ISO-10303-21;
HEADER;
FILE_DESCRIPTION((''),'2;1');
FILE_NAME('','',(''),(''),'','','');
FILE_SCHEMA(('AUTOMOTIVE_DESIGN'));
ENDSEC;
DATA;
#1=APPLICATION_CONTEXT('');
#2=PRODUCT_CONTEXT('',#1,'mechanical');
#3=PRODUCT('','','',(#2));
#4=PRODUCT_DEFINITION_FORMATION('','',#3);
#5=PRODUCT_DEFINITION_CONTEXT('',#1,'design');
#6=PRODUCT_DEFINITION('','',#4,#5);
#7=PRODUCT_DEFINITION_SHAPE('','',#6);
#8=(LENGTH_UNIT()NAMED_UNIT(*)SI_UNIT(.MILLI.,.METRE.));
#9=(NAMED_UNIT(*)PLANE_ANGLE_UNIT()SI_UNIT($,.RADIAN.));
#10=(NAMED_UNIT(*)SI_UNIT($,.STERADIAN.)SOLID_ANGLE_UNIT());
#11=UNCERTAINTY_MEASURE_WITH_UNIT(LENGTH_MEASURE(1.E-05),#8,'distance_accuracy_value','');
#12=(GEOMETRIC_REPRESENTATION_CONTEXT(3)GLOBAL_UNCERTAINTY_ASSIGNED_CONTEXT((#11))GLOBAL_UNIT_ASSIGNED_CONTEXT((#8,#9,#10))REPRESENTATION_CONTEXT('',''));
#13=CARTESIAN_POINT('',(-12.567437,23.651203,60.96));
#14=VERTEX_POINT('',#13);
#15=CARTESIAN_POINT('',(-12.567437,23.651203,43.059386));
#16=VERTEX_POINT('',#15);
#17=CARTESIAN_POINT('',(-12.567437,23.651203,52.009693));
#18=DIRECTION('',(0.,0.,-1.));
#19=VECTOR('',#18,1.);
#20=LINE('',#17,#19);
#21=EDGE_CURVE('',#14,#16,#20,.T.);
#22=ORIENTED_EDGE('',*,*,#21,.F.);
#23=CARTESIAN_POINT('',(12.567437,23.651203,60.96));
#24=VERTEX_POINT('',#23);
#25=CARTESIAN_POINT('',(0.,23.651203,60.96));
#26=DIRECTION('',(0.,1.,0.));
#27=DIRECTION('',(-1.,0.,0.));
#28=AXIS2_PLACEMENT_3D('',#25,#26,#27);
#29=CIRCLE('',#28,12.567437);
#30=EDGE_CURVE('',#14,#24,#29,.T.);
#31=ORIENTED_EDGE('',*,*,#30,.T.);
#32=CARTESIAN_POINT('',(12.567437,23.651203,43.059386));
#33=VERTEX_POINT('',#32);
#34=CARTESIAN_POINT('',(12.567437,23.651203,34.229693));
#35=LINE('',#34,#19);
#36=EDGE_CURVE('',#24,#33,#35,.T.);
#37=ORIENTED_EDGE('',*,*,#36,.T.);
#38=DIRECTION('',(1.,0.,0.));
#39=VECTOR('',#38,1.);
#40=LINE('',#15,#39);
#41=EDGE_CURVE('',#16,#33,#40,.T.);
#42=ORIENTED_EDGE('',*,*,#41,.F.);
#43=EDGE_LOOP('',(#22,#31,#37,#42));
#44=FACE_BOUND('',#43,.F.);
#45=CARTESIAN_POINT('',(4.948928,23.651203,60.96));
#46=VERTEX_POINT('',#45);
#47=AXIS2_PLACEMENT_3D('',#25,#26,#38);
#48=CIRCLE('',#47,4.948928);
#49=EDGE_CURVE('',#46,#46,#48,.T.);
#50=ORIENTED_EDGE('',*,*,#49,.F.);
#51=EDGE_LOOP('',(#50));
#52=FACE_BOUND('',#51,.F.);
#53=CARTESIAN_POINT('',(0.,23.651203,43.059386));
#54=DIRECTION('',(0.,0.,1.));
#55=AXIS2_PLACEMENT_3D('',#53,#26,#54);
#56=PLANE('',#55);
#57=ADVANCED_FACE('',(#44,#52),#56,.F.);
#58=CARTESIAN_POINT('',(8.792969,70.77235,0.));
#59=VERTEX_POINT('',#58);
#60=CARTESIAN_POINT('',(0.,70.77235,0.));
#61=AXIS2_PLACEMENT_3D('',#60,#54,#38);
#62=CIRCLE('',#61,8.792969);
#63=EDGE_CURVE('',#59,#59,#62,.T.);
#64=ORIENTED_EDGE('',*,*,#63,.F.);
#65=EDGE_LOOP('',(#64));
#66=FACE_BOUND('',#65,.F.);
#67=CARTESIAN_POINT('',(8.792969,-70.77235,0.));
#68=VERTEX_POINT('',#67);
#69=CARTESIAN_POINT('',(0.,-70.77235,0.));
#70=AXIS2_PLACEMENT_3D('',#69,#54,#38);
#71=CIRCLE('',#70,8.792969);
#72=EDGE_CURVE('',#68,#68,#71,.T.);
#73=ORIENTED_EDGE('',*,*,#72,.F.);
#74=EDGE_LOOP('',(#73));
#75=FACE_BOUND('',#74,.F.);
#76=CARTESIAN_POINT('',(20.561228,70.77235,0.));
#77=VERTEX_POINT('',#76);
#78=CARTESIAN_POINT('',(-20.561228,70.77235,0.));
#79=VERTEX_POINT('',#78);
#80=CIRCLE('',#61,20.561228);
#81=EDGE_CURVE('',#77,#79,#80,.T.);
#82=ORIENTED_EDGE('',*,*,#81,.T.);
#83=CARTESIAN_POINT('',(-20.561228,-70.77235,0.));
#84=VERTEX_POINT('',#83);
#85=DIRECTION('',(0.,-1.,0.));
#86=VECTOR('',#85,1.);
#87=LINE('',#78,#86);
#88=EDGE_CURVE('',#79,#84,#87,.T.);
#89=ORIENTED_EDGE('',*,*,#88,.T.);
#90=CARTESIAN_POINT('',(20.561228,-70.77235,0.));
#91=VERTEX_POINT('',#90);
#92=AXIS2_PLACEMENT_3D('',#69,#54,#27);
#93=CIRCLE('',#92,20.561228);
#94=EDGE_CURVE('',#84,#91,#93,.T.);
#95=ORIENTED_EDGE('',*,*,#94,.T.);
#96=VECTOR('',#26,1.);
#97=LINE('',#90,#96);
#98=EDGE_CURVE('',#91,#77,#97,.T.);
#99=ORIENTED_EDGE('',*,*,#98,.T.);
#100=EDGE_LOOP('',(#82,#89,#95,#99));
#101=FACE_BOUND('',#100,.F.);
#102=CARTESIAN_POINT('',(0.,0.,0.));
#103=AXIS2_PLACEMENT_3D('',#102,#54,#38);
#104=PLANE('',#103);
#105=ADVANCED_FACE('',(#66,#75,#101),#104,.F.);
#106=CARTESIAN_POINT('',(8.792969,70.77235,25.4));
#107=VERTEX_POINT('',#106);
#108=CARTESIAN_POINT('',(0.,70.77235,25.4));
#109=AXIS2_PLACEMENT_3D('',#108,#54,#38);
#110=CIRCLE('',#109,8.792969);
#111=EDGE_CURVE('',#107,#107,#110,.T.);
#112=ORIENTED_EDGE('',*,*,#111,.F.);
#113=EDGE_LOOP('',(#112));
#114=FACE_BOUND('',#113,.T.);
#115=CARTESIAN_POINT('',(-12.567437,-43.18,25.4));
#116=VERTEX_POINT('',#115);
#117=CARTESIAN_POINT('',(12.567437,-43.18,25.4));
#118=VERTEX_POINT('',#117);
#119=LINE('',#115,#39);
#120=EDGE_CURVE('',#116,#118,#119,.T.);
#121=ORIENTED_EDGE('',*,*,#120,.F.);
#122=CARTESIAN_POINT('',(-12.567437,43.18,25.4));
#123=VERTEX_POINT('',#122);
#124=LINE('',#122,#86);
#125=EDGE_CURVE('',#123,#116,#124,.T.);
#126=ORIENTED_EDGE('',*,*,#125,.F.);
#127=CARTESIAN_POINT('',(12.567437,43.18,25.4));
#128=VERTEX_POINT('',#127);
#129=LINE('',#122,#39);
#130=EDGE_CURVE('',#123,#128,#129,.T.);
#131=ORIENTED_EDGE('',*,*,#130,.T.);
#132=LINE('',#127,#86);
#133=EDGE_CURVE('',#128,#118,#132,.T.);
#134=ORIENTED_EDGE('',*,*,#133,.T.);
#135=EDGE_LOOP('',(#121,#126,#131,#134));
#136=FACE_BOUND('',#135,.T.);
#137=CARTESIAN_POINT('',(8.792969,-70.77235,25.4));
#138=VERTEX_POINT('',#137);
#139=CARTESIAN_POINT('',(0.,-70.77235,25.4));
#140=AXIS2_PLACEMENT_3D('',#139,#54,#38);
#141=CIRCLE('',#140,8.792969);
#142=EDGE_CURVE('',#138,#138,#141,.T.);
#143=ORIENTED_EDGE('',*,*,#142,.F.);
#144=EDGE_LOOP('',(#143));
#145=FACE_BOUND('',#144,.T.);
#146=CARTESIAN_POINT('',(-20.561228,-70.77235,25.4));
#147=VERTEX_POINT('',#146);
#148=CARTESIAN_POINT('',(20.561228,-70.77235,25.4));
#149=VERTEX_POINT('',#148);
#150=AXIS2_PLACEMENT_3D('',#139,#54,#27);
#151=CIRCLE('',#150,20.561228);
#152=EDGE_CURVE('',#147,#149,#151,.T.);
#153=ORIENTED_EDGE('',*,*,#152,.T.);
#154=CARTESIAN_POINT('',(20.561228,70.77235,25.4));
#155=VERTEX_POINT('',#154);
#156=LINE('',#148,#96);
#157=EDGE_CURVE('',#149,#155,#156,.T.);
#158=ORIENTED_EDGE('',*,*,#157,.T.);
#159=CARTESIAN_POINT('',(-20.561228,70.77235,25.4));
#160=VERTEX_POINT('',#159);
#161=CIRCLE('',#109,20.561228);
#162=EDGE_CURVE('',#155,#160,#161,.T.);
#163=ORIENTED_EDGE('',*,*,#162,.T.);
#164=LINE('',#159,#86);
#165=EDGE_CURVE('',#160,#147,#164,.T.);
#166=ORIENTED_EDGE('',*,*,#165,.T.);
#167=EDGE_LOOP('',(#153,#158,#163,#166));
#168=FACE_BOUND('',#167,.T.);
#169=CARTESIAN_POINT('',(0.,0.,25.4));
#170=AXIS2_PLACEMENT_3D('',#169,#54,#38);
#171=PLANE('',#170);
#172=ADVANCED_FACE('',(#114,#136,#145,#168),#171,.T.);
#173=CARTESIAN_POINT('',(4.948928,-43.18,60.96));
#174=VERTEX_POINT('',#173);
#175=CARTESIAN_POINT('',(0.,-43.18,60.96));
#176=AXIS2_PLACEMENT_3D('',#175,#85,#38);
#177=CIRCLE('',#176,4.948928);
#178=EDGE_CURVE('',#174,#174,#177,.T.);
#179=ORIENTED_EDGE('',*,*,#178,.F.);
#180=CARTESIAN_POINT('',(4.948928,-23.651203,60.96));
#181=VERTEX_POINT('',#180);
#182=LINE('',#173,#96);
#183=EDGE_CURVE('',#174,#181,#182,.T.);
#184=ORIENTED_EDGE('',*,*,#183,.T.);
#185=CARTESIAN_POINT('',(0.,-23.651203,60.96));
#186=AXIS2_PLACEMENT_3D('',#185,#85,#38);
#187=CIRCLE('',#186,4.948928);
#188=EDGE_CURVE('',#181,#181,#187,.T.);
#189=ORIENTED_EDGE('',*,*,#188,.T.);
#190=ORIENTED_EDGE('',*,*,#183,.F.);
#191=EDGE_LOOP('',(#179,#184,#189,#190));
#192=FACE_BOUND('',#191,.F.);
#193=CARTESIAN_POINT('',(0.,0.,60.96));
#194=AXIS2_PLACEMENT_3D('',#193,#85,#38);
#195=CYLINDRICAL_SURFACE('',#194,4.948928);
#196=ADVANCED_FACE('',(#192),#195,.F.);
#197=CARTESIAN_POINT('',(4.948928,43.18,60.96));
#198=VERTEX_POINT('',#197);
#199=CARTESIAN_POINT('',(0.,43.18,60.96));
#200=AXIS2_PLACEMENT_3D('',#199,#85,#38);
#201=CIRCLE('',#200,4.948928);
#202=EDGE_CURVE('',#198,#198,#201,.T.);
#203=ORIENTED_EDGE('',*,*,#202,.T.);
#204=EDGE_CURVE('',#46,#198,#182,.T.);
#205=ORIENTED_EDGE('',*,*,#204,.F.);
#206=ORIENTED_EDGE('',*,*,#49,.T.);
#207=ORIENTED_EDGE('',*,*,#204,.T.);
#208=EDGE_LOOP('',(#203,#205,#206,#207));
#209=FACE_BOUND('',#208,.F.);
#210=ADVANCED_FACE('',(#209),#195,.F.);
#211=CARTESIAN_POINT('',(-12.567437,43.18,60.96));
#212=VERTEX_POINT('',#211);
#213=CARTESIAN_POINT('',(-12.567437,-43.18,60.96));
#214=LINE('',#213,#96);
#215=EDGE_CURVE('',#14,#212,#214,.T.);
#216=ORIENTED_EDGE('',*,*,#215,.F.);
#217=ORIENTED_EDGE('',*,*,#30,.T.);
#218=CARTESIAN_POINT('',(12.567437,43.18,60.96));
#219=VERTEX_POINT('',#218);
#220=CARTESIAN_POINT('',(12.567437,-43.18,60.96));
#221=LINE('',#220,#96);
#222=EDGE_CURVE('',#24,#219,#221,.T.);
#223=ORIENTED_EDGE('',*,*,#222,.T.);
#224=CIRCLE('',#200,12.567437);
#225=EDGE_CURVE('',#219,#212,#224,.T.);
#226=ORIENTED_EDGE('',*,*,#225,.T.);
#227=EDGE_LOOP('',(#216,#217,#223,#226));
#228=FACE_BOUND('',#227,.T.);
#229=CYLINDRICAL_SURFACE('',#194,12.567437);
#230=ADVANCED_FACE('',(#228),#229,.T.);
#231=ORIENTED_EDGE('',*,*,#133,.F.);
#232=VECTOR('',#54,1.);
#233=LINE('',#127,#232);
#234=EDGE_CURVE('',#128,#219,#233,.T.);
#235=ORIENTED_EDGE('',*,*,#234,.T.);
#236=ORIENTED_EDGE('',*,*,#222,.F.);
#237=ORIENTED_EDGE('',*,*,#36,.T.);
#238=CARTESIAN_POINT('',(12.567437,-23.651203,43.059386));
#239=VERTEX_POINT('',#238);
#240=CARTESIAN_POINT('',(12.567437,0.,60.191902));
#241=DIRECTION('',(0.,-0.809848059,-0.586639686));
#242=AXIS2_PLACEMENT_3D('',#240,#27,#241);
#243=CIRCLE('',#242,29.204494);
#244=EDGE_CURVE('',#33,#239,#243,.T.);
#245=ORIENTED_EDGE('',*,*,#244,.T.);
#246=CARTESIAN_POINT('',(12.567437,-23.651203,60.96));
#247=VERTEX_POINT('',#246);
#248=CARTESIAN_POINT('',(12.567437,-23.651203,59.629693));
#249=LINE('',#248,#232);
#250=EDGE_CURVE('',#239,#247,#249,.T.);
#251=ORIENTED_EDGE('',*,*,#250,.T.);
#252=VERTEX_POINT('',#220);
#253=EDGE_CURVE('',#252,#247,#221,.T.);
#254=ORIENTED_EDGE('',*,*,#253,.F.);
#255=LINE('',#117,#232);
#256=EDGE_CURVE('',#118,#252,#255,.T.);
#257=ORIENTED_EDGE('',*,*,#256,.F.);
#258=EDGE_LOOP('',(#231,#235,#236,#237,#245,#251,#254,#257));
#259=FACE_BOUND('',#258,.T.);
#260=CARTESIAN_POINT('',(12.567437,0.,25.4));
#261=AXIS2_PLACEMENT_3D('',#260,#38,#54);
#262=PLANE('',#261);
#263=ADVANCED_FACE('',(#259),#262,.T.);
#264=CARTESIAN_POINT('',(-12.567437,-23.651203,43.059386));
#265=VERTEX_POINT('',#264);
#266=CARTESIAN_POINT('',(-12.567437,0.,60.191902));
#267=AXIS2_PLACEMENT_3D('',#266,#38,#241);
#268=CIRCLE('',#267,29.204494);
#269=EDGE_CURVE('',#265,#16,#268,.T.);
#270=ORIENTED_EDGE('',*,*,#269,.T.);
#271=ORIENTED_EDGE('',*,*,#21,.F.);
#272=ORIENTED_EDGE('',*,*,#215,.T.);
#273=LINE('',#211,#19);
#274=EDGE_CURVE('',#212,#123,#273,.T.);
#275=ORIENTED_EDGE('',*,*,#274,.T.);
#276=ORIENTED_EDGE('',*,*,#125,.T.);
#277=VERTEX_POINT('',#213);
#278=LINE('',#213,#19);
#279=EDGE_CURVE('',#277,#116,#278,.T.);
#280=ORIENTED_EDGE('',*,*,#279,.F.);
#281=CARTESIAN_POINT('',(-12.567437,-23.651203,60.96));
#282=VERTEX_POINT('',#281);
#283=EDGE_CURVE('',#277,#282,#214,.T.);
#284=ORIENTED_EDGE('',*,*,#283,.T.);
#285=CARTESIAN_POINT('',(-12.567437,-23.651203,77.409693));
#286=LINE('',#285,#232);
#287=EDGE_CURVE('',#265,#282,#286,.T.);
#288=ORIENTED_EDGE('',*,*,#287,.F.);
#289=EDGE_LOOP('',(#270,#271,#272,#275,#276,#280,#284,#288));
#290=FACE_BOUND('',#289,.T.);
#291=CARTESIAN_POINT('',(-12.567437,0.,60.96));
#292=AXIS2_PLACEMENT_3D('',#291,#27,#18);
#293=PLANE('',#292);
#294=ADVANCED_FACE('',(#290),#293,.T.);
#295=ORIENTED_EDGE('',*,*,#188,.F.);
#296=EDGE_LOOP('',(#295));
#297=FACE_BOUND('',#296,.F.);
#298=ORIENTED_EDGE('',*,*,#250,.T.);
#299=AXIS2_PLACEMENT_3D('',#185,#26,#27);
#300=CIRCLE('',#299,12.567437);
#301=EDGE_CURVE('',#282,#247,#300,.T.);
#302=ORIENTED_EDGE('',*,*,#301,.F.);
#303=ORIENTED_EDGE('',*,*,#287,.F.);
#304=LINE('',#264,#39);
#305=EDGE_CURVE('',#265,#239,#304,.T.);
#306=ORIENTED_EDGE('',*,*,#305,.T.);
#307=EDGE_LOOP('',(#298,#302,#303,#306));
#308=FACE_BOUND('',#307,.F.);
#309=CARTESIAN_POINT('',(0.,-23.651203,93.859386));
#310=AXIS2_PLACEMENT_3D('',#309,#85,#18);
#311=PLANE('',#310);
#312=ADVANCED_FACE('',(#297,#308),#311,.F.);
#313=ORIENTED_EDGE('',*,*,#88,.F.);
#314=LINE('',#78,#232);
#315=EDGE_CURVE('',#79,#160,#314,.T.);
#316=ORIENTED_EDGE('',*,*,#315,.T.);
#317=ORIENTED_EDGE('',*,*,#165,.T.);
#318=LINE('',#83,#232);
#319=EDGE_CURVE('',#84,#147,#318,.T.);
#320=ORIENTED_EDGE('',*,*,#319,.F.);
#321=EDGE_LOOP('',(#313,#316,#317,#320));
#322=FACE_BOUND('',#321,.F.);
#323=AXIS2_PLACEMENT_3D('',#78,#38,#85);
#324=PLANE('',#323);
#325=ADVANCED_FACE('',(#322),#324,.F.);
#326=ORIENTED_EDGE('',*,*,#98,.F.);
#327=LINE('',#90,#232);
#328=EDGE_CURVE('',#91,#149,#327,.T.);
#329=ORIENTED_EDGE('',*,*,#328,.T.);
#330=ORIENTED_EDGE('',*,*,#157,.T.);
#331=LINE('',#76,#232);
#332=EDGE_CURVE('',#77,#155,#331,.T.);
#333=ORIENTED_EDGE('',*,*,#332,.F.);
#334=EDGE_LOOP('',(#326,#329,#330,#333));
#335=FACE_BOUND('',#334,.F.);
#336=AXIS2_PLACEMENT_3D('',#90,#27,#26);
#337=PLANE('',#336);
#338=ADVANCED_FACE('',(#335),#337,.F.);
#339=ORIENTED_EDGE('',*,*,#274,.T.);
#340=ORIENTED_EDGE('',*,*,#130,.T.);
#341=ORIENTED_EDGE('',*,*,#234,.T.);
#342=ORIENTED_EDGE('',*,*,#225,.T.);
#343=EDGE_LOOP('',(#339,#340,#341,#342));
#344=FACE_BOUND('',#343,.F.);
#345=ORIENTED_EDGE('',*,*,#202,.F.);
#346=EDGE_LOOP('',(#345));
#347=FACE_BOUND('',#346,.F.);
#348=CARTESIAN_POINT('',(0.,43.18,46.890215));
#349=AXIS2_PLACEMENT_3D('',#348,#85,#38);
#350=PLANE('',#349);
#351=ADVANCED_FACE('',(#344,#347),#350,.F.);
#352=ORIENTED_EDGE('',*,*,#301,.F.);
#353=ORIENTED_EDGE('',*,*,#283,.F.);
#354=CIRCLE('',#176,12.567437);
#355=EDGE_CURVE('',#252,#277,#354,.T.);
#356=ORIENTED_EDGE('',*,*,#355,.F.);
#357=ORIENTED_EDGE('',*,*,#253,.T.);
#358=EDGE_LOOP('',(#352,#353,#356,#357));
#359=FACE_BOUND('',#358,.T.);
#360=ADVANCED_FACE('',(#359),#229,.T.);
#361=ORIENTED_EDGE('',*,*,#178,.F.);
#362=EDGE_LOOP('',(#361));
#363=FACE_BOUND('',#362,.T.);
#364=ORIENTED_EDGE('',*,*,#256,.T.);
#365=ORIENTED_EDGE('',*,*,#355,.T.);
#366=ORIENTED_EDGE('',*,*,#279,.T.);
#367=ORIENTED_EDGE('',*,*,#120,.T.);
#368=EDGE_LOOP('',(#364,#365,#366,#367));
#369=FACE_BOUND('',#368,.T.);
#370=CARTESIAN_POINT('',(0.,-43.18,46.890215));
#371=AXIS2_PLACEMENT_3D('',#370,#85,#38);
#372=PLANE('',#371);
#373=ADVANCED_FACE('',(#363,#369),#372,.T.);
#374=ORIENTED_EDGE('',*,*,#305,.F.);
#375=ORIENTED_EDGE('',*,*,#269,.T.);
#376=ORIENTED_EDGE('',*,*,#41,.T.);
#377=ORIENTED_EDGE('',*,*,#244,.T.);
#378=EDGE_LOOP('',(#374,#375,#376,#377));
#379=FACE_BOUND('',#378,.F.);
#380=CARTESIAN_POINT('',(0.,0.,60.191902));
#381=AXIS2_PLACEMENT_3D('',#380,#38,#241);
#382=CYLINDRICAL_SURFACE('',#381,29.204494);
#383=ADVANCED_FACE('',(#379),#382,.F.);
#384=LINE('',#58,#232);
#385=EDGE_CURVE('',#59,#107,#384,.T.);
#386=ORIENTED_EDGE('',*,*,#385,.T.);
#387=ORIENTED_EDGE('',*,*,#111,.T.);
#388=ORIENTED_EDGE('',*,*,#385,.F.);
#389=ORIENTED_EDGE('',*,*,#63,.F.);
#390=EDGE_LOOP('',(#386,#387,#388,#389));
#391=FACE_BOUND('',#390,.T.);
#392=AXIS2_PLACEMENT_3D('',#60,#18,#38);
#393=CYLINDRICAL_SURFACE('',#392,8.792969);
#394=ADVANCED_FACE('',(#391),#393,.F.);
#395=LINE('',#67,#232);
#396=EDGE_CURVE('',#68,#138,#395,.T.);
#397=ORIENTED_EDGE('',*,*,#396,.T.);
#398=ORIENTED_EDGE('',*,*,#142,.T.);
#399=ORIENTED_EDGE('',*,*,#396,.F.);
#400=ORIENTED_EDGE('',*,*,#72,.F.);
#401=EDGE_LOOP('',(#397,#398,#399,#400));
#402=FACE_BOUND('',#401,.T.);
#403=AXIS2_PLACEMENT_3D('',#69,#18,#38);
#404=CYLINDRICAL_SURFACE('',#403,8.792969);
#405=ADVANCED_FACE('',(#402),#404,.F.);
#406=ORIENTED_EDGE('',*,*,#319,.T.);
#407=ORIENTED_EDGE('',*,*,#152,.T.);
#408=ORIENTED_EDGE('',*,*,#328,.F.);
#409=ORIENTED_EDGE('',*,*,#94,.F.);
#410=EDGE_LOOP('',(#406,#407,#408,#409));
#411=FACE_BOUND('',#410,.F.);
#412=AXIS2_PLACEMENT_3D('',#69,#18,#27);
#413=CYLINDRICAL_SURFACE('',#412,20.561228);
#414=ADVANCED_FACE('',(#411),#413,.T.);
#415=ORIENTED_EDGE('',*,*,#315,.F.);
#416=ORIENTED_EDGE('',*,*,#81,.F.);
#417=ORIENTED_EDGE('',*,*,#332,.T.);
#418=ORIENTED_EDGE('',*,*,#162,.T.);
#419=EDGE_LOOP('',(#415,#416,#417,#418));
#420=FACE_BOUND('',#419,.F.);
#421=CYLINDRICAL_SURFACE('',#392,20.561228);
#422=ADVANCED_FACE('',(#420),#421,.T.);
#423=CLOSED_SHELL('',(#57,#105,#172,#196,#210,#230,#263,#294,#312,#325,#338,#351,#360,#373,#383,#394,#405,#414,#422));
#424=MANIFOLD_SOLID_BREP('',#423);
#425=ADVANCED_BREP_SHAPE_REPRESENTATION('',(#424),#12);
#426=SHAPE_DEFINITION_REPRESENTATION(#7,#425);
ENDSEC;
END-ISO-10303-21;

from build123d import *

# Parameters (mm, degrees)
F0_R          = 8.7929686237
F1_DEPTH      = 25.4
F2_R          = 4.9489279231
F3_DEPTH      = 43.18
F3_DEPTH_BACK = 43.18
F5_DEPTH      = 25.4
F5_DEPTH_BACK = 25.4


with BuildPart() as f1:
    # F0 (on Top) → F1 (new body)
    with BuildSketch(Plane.XY):
        with BuildLine():
            ThreePointArc((-20.5612275749, -70.7723498344), (0, -91.3335774094), (20.5612275749, -70.7723498344))
            Line((20.5612275749, -70.7723498344), (20.5612275749, 70.7723498344))
            ThreePointArc((20.5612275749, 70.7723498344), (0, 91.3335774094), (-20.5612275749, 70.7723498344))
            Line((-20.5612275749, 70.7723498344), (-20.5612275749, -70.7723498344))
        make_face()
        with Locations((0, -70.7723498344)):
            Circle(F0_R, mode=Mode.SUBTRACT)
        with Locations((0, 70.7723498344)):
            Circle(F0_R, mode=Mode.SUBTRACT)
    extrude(amount=F1_DEPTH)

    # F2 (on Front) → F3 (join, two sides)
    with BuildSketch(Plane.XZ) as f3_sk:
        with BuildLine():
            Line((-12.5674372539, 25.4), (0, 25.4))
            Line((0, 25.4), (12.5674372539, 25.4))
            Line((12.5674372539, 25.4), (12.5674372539, 60.96))
            ThreePointArc((12.5674372539, 60.96), (0, 73.5274372539), (-12.5674372539, 60.96))
            Line((-12.5674372539, 60.96), (-12.5674372539, 25.4))
        make_face()
        with Locations((0, 60.96)):
            Circle(F2_R, mode=Mode.SUBTRACT)
    extrude(amount=F3_DEPTH)
    extrude(f3_sk.sketch, amount=-F3_DEPTH_BACK)

    # F4 (on Right) → F5 (cut, two sides)
    with BuildSketch(Plane.YZ) as f5_sk:
        with BuildLine():
            Line((23.6512031406, 93.859386313), (-23.6512031406, 93.859386313))
            Line((-23.6512031406, 93.859386313), (-23.6512031406, 43.059386313))
            ThreePointArc((-23.6512031406, 43.059386313), (0, 30.9874073241), (23.6512031406, 43.059386313))
            Line((23.6512031406, 43.059386313), (23.6512031406, 93.859386313))
        make_face()
    extrude(amount=-F5_DEPTH, mode=Mode.SUBTRACT)
    extrude(f5_sk.sketch, amount=F5_DEPTH_BACK, mode=Mode.SUBTRACT)


solid = f1.part
